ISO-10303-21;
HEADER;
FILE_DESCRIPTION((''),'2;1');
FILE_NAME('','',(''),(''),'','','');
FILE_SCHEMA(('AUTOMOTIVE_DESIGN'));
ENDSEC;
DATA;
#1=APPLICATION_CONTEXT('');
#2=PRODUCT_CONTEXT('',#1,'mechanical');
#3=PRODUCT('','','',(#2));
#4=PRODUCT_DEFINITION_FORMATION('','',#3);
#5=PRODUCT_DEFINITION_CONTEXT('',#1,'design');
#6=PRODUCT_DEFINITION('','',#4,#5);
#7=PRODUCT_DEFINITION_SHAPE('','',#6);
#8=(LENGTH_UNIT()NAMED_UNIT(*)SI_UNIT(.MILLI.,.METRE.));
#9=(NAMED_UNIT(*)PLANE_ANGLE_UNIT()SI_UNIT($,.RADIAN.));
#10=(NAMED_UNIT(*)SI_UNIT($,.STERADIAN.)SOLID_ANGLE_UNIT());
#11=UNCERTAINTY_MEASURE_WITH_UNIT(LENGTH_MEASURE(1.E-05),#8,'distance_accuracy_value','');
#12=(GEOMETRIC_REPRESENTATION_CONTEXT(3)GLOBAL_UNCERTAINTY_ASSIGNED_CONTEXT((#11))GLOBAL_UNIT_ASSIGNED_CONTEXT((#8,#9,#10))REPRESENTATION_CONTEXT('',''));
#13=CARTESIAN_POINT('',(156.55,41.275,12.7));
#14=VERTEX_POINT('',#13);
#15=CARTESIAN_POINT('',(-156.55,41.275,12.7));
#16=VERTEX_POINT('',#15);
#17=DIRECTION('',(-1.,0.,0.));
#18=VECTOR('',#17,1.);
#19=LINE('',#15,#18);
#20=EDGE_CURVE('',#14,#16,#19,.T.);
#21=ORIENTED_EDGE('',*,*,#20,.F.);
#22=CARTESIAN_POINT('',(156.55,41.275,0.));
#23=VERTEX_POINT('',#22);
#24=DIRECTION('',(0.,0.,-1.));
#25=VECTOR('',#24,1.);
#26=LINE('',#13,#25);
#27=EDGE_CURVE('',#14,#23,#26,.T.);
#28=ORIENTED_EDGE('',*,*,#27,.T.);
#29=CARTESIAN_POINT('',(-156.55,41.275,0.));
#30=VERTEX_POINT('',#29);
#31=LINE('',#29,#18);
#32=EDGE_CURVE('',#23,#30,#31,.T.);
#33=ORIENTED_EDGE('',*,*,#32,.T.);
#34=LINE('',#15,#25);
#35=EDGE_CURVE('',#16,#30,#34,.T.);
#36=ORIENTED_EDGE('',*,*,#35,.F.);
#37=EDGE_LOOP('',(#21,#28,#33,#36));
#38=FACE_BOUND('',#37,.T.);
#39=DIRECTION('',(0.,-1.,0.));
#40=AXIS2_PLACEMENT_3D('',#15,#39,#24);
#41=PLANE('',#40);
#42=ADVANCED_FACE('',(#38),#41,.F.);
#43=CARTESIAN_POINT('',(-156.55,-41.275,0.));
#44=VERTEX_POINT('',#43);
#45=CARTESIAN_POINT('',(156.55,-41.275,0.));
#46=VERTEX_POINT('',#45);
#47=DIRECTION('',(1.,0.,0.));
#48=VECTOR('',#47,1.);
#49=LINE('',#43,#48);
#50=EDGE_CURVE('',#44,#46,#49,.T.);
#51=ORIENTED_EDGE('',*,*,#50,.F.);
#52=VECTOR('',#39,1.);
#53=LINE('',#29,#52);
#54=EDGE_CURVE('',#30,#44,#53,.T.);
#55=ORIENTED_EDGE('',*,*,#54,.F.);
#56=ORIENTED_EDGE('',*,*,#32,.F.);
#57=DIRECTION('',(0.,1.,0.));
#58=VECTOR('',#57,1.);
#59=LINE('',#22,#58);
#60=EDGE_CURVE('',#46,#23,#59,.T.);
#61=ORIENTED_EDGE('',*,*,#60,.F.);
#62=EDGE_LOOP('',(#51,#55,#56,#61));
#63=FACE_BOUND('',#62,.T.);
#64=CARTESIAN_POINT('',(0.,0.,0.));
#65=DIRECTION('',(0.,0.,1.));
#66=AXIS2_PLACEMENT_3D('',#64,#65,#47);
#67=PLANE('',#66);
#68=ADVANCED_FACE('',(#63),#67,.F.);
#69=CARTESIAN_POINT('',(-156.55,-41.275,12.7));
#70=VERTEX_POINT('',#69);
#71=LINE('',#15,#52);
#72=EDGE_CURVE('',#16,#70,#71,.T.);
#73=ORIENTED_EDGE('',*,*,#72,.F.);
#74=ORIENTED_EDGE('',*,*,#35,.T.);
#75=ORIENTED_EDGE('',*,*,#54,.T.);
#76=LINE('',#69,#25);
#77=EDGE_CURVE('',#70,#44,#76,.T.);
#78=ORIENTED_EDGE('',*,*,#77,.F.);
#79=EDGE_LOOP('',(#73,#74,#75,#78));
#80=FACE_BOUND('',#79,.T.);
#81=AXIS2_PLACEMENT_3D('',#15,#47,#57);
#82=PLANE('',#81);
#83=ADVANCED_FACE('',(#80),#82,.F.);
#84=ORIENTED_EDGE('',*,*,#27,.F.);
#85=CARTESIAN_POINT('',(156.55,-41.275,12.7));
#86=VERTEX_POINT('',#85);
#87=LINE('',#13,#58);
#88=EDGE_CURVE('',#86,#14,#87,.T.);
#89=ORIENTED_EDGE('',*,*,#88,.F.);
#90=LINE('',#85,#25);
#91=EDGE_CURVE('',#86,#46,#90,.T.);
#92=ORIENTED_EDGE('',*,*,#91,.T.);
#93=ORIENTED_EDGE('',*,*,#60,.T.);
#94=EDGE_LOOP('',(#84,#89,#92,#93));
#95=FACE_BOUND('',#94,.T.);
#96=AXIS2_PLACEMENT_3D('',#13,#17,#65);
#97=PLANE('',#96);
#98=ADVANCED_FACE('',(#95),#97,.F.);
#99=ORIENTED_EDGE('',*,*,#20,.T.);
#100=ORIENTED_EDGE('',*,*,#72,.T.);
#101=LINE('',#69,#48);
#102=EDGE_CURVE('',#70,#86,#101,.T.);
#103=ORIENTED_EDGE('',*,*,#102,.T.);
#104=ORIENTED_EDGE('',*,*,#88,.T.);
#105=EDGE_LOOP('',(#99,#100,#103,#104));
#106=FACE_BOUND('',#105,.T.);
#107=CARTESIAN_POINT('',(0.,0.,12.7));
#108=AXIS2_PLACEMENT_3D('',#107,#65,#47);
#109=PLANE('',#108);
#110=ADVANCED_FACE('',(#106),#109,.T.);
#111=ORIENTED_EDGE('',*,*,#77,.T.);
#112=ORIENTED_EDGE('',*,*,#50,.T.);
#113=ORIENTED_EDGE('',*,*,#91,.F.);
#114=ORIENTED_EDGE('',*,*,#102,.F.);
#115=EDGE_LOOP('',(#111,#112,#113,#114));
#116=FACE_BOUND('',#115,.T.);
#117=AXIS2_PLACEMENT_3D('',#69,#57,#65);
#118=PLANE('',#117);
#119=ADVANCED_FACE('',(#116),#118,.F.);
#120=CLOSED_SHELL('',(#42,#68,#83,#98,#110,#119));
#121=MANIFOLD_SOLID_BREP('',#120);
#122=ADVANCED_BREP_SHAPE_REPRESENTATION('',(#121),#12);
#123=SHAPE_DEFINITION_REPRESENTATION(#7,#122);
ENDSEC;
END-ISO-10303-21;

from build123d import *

# Parameters (mm, degrees)
ESQUISSE1_W        = 313.09999991
ESQUISSE1_H        = 82.55
BOSS_EXTRU_1_DEPTH = 12.7


with BuildPart() as part:
    # Esquisse1 → Boss.-Extru.1 (new body)
    with BuildSketch(Plane.XY):
        Rectangle(ESQUISSE1_W, ESQUISSE1_H)
    extrude(amount=BOSS_EXTRU_1_DEPTH)


solid = part.part
